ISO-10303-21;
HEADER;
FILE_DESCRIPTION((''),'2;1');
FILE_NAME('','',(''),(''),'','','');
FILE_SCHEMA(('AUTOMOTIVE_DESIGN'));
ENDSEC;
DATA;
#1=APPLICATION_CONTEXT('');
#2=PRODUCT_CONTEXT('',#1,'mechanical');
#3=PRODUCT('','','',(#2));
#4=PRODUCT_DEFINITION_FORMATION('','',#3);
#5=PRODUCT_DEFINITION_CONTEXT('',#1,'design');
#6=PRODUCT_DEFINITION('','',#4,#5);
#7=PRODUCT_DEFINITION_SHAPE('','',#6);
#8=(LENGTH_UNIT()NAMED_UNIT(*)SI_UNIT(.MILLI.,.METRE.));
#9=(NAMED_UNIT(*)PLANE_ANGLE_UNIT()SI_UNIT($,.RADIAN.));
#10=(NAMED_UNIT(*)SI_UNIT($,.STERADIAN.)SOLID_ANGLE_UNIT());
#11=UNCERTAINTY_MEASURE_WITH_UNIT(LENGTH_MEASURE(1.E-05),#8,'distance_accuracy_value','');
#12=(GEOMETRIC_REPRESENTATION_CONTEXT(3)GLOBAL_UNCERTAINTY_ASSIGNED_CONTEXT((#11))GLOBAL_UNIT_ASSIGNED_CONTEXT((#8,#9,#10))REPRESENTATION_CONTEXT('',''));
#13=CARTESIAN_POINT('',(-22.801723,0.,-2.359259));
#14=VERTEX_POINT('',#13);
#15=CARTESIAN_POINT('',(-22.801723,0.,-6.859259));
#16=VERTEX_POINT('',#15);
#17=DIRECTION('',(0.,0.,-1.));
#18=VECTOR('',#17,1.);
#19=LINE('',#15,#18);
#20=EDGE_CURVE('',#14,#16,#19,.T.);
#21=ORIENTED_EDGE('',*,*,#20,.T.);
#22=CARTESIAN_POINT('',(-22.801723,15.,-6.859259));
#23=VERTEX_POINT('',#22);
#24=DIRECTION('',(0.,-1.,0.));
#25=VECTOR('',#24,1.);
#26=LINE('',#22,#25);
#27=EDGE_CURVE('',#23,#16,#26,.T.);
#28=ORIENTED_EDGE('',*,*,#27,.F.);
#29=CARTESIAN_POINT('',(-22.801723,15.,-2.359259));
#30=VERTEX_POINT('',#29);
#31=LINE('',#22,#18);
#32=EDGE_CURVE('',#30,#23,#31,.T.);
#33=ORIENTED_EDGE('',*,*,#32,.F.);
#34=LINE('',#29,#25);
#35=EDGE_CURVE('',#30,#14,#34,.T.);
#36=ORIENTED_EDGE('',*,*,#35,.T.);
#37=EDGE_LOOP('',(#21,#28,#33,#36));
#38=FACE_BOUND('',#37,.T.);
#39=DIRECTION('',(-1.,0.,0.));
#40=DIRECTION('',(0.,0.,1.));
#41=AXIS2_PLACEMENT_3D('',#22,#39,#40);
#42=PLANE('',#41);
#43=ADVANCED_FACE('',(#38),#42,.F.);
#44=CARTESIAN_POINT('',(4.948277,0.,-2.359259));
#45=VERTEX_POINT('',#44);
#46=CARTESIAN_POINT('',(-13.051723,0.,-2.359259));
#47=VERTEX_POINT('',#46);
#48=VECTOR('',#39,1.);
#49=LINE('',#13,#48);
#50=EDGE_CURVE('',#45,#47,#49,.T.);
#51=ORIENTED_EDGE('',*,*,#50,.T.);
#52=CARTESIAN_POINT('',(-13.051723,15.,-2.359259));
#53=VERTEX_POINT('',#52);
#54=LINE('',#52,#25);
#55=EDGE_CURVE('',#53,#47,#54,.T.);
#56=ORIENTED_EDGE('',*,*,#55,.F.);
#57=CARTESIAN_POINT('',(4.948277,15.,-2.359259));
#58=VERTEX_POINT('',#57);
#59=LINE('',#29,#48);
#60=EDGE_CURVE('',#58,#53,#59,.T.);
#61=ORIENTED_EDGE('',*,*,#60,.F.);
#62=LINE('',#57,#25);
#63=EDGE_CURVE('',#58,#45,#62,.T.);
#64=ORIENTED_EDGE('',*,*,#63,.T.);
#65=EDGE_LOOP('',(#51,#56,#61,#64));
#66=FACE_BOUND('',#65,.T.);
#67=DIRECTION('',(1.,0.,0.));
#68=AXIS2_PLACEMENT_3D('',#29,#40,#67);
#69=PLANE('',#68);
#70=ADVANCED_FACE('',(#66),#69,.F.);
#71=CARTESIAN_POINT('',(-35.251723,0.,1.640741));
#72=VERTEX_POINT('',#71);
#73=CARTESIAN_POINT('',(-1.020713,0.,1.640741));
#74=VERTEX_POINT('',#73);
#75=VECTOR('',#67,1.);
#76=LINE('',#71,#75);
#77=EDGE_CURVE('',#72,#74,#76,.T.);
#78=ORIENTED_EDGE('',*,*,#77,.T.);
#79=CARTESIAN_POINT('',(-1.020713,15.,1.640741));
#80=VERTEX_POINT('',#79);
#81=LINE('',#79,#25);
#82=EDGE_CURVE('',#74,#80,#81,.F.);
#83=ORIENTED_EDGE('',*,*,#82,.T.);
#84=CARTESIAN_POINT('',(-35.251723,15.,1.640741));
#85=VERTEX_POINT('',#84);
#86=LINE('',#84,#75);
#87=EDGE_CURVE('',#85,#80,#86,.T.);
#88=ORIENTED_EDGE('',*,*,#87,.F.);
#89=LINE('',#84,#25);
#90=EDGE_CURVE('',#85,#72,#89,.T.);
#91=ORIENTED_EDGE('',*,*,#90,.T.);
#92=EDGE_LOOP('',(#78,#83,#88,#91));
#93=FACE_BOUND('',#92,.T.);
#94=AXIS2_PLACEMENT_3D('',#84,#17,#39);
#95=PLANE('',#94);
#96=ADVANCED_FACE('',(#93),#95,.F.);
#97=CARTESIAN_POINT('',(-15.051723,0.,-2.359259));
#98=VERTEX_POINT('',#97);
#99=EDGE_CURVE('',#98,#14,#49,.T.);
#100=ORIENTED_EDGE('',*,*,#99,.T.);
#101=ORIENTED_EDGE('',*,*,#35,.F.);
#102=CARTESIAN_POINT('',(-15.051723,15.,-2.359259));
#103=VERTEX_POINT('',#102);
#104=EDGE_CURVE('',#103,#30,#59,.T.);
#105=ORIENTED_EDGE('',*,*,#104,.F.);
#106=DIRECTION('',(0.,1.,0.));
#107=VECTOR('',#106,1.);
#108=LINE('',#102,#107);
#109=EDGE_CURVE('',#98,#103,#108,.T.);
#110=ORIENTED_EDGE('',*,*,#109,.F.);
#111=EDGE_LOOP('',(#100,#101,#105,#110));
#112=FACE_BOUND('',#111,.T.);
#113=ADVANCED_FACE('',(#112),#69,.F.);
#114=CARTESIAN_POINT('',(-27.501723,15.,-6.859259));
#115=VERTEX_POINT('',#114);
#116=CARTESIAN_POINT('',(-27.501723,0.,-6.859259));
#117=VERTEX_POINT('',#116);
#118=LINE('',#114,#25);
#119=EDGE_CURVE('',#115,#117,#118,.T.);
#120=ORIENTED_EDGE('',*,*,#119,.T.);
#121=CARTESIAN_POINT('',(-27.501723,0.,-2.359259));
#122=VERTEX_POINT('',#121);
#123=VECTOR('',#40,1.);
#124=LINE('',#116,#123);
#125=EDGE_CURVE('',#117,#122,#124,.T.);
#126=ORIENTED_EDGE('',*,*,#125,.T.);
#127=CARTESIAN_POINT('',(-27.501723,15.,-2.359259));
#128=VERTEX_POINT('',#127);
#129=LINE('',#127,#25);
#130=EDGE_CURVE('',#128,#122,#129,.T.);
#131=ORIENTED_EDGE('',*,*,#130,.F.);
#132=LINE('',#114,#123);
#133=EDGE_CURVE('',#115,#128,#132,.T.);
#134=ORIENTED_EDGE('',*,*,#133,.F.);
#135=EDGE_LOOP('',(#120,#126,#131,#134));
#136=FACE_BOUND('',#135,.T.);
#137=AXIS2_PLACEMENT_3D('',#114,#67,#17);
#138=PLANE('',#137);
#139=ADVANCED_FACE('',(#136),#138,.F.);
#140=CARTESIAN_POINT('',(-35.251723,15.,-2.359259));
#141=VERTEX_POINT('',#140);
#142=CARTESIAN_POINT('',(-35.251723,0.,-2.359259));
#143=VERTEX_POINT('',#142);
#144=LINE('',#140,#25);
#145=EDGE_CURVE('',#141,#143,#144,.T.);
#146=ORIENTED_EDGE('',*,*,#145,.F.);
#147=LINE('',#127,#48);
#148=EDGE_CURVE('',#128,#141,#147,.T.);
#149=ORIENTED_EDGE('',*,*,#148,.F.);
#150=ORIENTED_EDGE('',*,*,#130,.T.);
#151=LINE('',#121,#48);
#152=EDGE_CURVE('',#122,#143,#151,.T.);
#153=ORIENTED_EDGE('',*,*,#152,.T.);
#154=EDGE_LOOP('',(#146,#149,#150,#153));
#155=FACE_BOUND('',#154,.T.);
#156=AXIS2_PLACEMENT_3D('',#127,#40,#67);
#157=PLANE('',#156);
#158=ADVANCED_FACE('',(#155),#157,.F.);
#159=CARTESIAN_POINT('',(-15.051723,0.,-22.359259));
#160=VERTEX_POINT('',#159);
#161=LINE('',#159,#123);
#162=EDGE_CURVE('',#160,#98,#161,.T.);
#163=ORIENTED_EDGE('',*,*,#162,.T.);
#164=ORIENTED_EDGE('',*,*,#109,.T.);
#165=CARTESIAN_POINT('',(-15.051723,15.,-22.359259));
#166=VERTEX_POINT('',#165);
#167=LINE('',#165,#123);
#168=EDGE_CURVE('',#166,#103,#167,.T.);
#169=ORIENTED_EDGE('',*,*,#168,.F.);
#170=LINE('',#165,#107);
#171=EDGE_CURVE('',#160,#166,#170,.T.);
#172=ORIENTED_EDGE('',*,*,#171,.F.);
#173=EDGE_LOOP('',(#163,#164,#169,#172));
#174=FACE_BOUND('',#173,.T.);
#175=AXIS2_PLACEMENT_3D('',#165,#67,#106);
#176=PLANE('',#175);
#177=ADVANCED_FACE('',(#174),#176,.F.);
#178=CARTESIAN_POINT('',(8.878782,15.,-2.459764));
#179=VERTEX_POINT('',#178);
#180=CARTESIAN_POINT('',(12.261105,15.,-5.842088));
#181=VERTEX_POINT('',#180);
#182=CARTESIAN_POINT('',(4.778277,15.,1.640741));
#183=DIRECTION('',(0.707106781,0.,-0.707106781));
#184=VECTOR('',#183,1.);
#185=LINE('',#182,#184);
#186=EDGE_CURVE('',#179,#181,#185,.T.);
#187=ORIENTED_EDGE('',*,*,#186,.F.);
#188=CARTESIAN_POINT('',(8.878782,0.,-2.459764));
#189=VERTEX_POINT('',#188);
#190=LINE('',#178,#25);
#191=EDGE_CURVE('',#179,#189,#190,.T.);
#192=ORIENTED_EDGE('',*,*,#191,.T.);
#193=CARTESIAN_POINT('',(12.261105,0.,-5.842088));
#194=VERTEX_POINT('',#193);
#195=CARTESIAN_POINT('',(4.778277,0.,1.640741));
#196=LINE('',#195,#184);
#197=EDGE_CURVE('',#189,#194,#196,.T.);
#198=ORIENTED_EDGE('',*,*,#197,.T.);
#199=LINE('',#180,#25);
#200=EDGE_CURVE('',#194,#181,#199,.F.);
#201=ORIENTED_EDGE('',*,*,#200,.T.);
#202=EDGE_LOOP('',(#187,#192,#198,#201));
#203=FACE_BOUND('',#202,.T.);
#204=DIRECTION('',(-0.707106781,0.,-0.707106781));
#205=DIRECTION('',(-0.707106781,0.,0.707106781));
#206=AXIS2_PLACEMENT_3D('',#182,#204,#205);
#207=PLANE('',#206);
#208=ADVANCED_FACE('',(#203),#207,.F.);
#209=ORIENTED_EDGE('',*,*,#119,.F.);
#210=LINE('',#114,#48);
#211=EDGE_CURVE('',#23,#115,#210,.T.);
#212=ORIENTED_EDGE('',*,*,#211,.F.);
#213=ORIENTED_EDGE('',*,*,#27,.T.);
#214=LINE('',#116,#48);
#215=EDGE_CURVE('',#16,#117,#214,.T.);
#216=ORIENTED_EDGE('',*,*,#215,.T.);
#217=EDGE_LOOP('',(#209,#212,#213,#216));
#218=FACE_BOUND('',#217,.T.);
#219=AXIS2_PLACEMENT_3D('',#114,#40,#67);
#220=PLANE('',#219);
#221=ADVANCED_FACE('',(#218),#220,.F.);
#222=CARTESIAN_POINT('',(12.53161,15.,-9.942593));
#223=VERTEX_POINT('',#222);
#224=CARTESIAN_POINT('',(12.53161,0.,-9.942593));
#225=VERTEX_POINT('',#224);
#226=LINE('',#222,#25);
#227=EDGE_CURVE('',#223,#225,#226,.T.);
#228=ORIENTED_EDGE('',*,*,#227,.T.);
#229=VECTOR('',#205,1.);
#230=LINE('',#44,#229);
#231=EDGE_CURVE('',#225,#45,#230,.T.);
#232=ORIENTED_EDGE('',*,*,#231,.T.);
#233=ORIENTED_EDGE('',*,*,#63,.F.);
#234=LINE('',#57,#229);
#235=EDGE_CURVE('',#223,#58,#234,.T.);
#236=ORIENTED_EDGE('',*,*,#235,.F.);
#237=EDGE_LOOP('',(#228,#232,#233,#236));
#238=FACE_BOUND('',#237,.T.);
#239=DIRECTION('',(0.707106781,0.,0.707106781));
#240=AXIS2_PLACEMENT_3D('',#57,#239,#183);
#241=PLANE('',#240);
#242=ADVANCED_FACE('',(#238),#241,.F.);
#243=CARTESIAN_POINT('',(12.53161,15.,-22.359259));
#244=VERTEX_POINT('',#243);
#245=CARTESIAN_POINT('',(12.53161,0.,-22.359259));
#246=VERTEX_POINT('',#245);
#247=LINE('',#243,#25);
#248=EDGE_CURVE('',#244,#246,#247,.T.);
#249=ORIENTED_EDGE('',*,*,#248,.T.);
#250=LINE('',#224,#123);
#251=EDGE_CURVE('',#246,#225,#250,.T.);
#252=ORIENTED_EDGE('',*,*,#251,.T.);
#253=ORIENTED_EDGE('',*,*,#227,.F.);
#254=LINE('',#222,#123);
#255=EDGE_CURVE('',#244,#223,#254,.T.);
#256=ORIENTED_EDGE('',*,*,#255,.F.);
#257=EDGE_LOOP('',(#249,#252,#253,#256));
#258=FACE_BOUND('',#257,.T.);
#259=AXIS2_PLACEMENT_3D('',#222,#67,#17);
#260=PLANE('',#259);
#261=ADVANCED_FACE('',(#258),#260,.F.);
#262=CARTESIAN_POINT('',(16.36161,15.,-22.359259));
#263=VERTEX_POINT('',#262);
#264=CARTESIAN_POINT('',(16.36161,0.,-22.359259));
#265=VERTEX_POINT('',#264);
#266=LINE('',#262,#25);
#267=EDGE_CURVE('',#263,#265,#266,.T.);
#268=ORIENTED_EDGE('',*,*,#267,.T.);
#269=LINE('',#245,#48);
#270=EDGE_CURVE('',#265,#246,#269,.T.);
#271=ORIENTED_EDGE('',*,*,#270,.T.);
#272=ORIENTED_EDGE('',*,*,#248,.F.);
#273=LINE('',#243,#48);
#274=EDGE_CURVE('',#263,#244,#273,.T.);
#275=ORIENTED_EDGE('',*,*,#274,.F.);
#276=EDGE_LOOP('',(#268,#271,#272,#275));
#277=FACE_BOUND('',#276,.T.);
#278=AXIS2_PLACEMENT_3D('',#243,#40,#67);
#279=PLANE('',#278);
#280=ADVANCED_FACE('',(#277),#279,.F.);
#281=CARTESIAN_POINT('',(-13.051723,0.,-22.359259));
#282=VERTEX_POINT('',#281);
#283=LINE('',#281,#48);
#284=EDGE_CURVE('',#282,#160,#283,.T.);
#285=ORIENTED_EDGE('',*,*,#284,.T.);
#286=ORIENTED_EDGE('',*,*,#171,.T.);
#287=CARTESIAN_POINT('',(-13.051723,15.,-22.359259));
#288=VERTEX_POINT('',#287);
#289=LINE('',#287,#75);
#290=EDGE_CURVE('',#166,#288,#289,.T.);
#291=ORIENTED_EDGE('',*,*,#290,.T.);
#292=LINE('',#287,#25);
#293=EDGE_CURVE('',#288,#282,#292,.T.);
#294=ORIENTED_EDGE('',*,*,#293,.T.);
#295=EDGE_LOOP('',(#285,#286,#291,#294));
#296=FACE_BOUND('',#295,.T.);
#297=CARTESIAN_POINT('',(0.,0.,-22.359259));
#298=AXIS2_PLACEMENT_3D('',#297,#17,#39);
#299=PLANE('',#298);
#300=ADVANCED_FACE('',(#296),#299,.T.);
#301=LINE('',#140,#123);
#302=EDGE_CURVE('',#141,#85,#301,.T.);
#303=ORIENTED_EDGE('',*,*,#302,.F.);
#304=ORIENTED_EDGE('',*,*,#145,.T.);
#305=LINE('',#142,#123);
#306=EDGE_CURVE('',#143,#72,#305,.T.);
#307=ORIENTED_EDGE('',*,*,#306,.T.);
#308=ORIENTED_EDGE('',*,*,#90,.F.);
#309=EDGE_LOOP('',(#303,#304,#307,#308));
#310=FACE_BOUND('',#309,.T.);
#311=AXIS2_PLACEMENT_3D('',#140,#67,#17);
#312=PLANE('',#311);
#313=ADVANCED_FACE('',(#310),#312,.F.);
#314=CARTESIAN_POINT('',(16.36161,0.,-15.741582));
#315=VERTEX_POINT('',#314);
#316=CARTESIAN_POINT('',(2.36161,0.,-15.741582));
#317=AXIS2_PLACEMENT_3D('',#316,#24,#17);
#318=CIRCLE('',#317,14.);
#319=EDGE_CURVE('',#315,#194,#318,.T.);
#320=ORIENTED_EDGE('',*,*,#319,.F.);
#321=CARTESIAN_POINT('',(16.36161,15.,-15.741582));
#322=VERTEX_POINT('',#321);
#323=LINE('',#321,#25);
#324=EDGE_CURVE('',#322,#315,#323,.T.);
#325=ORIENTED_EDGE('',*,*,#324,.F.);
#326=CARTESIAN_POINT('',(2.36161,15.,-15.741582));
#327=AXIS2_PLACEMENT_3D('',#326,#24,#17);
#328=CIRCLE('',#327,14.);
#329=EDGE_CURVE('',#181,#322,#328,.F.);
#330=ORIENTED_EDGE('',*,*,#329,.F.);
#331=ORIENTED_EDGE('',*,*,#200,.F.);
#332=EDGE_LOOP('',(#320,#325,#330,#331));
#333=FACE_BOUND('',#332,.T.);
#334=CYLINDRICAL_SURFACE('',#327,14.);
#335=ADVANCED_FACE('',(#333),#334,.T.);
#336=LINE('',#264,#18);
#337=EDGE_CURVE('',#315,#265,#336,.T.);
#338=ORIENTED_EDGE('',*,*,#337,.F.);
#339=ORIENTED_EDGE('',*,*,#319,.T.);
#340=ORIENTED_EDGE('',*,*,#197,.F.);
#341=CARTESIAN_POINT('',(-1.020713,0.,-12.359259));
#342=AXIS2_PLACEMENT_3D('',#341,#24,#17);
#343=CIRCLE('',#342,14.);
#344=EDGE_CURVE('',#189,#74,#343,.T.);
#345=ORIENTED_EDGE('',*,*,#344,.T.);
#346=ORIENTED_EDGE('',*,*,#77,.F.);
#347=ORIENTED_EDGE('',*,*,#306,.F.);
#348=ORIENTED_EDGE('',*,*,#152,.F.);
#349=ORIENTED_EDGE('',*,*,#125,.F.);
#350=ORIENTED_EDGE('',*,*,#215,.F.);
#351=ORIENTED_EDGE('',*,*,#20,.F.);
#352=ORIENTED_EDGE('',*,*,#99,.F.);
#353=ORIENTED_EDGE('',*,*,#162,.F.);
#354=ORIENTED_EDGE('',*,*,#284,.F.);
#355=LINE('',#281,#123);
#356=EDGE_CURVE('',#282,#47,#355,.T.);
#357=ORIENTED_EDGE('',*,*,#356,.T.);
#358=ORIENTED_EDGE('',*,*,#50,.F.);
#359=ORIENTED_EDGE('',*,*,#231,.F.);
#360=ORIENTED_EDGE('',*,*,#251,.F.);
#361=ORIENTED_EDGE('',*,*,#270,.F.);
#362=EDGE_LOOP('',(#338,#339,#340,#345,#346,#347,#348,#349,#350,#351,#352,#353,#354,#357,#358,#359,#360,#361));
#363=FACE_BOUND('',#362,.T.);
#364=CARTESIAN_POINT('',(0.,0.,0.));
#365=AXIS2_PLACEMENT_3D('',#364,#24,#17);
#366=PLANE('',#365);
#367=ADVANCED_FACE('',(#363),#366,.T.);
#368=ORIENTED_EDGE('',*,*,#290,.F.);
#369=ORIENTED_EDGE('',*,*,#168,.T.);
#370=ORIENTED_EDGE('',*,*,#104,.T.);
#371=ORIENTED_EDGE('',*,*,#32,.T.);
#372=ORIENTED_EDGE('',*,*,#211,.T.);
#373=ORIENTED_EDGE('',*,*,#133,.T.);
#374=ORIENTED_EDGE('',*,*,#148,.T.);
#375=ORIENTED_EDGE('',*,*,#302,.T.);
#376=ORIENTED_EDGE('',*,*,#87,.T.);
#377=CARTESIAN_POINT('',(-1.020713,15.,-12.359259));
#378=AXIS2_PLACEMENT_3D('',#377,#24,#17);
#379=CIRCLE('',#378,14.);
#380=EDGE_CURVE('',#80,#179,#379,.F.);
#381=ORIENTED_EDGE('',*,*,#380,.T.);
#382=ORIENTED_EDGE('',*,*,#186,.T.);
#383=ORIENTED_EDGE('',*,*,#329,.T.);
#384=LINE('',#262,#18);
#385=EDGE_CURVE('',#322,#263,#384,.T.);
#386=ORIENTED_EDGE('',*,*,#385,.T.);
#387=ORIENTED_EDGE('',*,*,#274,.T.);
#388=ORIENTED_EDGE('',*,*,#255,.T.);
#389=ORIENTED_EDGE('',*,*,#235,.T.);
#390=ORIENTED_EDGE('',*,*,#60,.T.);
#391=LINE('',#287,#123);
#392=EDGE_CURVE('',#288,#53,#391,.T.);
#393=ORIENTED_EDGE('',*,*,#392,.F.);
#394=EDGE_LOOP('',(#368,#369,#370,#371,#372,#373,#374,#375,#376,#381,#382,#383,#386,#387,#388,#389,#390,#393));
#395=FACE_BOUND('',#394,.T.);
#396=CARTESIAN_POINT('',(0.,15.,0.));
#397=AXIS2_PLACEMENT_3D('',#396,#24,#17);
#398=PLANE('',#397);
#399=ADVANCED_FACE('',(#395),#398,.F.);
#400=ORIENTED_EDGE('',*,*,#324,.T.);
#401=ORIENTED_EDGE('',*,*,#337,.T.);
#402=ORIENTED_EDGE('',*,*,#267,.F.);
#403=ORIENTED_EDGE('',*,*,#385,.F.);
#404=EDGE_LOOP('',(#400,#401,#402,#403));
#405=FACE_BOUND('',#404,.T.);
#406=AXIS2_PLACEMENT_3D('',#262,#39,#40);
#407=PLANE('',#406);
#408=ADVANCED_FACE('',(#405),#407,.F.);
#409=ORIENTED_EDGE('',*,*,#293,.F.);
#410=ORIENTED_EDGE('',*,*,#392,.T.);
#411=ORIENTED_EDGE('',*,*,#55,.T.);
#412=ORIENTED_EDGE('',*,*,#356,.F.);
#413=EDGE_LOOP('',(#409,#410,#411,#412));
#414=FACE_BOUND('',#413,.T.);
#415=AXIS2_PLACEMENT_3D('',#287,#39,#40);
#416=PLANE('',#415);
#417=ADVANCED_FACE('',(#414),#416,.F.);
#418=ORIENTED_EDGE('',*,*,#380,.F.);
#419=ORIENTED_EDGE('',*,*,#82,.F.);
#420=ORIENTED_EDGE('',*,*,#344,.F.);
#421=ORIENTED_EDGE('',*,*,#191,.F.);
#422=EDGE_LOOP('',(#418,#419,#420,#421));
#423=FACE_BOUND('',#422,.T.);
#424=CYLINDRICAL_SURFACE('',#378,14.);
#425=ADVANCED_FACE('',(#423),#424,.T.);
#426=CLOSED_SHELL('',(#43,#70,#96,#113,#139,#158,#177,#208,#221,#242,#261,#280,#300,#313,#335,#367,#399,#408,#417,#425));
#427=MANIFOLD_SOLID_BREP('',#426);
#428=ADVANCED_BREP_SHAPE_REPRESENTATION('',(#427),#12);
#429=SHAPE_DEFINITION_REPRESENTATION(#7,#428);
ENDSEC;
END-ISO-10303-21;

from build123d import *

# Parameters (mm, degrees)
EXTRUDE_1_DEPTH = 15
FILLET_1_R      = 14
SKETCH_2_W      = 2
SKETCH_2_H      = 15
EXTRUDE_2_DEPTH = 20


with BuildPart() as part:
    # 草圖1 → 填料-伸長1 (new body)
    with BuildSketch(Plane(origin=(0, 0, 0), x_dir=(1, 0, 0), z_dir=(0, 1, 0))):
        Polygon((-27.501723192, 6.859259259), (-22.801723192, 6.859259259), (-22.801723192, 2.359259259), (4.948276808, 2.359259259), (12.531610141, 9.942592593), (12.531610141, 22.359259259), (16.361610141, 22.359259259), (16.361610141, 9.942592593), (4.778276808, -1.640740741), (-35.251723192, -1.640740741), (-35.251723192, 2.359259259), (-27.501723192, 2.359259259), align=None)
    extrude(amount=EXTRUDE_1_DEPTH)

    # 圓角1
    fillet_1_edges = [part.edges().sort_by_distance(p)[0] for p in [
        (16.361610141, 7.5, -9.942592593),
        (4.778276808, 7.5, 1.640740741),
    ]]
    fillet(fillet_1_edges, radius=FILLET_1_R)

    # 草圖2 → 填料-伸長2 (add)
    with BuildSketch(Plane(origin=(0, 0, -2.359259259), x_dir=(-1, 0, 0), z_dir=(0, 0, -1))):
        with Locations((14.051723192, 7.5)):
            Rectangle(SKETCH_2_W, SKETCH_2_H)
    extrude(amount=EXTRUDE_2_DEPTH)


solid = part.part
